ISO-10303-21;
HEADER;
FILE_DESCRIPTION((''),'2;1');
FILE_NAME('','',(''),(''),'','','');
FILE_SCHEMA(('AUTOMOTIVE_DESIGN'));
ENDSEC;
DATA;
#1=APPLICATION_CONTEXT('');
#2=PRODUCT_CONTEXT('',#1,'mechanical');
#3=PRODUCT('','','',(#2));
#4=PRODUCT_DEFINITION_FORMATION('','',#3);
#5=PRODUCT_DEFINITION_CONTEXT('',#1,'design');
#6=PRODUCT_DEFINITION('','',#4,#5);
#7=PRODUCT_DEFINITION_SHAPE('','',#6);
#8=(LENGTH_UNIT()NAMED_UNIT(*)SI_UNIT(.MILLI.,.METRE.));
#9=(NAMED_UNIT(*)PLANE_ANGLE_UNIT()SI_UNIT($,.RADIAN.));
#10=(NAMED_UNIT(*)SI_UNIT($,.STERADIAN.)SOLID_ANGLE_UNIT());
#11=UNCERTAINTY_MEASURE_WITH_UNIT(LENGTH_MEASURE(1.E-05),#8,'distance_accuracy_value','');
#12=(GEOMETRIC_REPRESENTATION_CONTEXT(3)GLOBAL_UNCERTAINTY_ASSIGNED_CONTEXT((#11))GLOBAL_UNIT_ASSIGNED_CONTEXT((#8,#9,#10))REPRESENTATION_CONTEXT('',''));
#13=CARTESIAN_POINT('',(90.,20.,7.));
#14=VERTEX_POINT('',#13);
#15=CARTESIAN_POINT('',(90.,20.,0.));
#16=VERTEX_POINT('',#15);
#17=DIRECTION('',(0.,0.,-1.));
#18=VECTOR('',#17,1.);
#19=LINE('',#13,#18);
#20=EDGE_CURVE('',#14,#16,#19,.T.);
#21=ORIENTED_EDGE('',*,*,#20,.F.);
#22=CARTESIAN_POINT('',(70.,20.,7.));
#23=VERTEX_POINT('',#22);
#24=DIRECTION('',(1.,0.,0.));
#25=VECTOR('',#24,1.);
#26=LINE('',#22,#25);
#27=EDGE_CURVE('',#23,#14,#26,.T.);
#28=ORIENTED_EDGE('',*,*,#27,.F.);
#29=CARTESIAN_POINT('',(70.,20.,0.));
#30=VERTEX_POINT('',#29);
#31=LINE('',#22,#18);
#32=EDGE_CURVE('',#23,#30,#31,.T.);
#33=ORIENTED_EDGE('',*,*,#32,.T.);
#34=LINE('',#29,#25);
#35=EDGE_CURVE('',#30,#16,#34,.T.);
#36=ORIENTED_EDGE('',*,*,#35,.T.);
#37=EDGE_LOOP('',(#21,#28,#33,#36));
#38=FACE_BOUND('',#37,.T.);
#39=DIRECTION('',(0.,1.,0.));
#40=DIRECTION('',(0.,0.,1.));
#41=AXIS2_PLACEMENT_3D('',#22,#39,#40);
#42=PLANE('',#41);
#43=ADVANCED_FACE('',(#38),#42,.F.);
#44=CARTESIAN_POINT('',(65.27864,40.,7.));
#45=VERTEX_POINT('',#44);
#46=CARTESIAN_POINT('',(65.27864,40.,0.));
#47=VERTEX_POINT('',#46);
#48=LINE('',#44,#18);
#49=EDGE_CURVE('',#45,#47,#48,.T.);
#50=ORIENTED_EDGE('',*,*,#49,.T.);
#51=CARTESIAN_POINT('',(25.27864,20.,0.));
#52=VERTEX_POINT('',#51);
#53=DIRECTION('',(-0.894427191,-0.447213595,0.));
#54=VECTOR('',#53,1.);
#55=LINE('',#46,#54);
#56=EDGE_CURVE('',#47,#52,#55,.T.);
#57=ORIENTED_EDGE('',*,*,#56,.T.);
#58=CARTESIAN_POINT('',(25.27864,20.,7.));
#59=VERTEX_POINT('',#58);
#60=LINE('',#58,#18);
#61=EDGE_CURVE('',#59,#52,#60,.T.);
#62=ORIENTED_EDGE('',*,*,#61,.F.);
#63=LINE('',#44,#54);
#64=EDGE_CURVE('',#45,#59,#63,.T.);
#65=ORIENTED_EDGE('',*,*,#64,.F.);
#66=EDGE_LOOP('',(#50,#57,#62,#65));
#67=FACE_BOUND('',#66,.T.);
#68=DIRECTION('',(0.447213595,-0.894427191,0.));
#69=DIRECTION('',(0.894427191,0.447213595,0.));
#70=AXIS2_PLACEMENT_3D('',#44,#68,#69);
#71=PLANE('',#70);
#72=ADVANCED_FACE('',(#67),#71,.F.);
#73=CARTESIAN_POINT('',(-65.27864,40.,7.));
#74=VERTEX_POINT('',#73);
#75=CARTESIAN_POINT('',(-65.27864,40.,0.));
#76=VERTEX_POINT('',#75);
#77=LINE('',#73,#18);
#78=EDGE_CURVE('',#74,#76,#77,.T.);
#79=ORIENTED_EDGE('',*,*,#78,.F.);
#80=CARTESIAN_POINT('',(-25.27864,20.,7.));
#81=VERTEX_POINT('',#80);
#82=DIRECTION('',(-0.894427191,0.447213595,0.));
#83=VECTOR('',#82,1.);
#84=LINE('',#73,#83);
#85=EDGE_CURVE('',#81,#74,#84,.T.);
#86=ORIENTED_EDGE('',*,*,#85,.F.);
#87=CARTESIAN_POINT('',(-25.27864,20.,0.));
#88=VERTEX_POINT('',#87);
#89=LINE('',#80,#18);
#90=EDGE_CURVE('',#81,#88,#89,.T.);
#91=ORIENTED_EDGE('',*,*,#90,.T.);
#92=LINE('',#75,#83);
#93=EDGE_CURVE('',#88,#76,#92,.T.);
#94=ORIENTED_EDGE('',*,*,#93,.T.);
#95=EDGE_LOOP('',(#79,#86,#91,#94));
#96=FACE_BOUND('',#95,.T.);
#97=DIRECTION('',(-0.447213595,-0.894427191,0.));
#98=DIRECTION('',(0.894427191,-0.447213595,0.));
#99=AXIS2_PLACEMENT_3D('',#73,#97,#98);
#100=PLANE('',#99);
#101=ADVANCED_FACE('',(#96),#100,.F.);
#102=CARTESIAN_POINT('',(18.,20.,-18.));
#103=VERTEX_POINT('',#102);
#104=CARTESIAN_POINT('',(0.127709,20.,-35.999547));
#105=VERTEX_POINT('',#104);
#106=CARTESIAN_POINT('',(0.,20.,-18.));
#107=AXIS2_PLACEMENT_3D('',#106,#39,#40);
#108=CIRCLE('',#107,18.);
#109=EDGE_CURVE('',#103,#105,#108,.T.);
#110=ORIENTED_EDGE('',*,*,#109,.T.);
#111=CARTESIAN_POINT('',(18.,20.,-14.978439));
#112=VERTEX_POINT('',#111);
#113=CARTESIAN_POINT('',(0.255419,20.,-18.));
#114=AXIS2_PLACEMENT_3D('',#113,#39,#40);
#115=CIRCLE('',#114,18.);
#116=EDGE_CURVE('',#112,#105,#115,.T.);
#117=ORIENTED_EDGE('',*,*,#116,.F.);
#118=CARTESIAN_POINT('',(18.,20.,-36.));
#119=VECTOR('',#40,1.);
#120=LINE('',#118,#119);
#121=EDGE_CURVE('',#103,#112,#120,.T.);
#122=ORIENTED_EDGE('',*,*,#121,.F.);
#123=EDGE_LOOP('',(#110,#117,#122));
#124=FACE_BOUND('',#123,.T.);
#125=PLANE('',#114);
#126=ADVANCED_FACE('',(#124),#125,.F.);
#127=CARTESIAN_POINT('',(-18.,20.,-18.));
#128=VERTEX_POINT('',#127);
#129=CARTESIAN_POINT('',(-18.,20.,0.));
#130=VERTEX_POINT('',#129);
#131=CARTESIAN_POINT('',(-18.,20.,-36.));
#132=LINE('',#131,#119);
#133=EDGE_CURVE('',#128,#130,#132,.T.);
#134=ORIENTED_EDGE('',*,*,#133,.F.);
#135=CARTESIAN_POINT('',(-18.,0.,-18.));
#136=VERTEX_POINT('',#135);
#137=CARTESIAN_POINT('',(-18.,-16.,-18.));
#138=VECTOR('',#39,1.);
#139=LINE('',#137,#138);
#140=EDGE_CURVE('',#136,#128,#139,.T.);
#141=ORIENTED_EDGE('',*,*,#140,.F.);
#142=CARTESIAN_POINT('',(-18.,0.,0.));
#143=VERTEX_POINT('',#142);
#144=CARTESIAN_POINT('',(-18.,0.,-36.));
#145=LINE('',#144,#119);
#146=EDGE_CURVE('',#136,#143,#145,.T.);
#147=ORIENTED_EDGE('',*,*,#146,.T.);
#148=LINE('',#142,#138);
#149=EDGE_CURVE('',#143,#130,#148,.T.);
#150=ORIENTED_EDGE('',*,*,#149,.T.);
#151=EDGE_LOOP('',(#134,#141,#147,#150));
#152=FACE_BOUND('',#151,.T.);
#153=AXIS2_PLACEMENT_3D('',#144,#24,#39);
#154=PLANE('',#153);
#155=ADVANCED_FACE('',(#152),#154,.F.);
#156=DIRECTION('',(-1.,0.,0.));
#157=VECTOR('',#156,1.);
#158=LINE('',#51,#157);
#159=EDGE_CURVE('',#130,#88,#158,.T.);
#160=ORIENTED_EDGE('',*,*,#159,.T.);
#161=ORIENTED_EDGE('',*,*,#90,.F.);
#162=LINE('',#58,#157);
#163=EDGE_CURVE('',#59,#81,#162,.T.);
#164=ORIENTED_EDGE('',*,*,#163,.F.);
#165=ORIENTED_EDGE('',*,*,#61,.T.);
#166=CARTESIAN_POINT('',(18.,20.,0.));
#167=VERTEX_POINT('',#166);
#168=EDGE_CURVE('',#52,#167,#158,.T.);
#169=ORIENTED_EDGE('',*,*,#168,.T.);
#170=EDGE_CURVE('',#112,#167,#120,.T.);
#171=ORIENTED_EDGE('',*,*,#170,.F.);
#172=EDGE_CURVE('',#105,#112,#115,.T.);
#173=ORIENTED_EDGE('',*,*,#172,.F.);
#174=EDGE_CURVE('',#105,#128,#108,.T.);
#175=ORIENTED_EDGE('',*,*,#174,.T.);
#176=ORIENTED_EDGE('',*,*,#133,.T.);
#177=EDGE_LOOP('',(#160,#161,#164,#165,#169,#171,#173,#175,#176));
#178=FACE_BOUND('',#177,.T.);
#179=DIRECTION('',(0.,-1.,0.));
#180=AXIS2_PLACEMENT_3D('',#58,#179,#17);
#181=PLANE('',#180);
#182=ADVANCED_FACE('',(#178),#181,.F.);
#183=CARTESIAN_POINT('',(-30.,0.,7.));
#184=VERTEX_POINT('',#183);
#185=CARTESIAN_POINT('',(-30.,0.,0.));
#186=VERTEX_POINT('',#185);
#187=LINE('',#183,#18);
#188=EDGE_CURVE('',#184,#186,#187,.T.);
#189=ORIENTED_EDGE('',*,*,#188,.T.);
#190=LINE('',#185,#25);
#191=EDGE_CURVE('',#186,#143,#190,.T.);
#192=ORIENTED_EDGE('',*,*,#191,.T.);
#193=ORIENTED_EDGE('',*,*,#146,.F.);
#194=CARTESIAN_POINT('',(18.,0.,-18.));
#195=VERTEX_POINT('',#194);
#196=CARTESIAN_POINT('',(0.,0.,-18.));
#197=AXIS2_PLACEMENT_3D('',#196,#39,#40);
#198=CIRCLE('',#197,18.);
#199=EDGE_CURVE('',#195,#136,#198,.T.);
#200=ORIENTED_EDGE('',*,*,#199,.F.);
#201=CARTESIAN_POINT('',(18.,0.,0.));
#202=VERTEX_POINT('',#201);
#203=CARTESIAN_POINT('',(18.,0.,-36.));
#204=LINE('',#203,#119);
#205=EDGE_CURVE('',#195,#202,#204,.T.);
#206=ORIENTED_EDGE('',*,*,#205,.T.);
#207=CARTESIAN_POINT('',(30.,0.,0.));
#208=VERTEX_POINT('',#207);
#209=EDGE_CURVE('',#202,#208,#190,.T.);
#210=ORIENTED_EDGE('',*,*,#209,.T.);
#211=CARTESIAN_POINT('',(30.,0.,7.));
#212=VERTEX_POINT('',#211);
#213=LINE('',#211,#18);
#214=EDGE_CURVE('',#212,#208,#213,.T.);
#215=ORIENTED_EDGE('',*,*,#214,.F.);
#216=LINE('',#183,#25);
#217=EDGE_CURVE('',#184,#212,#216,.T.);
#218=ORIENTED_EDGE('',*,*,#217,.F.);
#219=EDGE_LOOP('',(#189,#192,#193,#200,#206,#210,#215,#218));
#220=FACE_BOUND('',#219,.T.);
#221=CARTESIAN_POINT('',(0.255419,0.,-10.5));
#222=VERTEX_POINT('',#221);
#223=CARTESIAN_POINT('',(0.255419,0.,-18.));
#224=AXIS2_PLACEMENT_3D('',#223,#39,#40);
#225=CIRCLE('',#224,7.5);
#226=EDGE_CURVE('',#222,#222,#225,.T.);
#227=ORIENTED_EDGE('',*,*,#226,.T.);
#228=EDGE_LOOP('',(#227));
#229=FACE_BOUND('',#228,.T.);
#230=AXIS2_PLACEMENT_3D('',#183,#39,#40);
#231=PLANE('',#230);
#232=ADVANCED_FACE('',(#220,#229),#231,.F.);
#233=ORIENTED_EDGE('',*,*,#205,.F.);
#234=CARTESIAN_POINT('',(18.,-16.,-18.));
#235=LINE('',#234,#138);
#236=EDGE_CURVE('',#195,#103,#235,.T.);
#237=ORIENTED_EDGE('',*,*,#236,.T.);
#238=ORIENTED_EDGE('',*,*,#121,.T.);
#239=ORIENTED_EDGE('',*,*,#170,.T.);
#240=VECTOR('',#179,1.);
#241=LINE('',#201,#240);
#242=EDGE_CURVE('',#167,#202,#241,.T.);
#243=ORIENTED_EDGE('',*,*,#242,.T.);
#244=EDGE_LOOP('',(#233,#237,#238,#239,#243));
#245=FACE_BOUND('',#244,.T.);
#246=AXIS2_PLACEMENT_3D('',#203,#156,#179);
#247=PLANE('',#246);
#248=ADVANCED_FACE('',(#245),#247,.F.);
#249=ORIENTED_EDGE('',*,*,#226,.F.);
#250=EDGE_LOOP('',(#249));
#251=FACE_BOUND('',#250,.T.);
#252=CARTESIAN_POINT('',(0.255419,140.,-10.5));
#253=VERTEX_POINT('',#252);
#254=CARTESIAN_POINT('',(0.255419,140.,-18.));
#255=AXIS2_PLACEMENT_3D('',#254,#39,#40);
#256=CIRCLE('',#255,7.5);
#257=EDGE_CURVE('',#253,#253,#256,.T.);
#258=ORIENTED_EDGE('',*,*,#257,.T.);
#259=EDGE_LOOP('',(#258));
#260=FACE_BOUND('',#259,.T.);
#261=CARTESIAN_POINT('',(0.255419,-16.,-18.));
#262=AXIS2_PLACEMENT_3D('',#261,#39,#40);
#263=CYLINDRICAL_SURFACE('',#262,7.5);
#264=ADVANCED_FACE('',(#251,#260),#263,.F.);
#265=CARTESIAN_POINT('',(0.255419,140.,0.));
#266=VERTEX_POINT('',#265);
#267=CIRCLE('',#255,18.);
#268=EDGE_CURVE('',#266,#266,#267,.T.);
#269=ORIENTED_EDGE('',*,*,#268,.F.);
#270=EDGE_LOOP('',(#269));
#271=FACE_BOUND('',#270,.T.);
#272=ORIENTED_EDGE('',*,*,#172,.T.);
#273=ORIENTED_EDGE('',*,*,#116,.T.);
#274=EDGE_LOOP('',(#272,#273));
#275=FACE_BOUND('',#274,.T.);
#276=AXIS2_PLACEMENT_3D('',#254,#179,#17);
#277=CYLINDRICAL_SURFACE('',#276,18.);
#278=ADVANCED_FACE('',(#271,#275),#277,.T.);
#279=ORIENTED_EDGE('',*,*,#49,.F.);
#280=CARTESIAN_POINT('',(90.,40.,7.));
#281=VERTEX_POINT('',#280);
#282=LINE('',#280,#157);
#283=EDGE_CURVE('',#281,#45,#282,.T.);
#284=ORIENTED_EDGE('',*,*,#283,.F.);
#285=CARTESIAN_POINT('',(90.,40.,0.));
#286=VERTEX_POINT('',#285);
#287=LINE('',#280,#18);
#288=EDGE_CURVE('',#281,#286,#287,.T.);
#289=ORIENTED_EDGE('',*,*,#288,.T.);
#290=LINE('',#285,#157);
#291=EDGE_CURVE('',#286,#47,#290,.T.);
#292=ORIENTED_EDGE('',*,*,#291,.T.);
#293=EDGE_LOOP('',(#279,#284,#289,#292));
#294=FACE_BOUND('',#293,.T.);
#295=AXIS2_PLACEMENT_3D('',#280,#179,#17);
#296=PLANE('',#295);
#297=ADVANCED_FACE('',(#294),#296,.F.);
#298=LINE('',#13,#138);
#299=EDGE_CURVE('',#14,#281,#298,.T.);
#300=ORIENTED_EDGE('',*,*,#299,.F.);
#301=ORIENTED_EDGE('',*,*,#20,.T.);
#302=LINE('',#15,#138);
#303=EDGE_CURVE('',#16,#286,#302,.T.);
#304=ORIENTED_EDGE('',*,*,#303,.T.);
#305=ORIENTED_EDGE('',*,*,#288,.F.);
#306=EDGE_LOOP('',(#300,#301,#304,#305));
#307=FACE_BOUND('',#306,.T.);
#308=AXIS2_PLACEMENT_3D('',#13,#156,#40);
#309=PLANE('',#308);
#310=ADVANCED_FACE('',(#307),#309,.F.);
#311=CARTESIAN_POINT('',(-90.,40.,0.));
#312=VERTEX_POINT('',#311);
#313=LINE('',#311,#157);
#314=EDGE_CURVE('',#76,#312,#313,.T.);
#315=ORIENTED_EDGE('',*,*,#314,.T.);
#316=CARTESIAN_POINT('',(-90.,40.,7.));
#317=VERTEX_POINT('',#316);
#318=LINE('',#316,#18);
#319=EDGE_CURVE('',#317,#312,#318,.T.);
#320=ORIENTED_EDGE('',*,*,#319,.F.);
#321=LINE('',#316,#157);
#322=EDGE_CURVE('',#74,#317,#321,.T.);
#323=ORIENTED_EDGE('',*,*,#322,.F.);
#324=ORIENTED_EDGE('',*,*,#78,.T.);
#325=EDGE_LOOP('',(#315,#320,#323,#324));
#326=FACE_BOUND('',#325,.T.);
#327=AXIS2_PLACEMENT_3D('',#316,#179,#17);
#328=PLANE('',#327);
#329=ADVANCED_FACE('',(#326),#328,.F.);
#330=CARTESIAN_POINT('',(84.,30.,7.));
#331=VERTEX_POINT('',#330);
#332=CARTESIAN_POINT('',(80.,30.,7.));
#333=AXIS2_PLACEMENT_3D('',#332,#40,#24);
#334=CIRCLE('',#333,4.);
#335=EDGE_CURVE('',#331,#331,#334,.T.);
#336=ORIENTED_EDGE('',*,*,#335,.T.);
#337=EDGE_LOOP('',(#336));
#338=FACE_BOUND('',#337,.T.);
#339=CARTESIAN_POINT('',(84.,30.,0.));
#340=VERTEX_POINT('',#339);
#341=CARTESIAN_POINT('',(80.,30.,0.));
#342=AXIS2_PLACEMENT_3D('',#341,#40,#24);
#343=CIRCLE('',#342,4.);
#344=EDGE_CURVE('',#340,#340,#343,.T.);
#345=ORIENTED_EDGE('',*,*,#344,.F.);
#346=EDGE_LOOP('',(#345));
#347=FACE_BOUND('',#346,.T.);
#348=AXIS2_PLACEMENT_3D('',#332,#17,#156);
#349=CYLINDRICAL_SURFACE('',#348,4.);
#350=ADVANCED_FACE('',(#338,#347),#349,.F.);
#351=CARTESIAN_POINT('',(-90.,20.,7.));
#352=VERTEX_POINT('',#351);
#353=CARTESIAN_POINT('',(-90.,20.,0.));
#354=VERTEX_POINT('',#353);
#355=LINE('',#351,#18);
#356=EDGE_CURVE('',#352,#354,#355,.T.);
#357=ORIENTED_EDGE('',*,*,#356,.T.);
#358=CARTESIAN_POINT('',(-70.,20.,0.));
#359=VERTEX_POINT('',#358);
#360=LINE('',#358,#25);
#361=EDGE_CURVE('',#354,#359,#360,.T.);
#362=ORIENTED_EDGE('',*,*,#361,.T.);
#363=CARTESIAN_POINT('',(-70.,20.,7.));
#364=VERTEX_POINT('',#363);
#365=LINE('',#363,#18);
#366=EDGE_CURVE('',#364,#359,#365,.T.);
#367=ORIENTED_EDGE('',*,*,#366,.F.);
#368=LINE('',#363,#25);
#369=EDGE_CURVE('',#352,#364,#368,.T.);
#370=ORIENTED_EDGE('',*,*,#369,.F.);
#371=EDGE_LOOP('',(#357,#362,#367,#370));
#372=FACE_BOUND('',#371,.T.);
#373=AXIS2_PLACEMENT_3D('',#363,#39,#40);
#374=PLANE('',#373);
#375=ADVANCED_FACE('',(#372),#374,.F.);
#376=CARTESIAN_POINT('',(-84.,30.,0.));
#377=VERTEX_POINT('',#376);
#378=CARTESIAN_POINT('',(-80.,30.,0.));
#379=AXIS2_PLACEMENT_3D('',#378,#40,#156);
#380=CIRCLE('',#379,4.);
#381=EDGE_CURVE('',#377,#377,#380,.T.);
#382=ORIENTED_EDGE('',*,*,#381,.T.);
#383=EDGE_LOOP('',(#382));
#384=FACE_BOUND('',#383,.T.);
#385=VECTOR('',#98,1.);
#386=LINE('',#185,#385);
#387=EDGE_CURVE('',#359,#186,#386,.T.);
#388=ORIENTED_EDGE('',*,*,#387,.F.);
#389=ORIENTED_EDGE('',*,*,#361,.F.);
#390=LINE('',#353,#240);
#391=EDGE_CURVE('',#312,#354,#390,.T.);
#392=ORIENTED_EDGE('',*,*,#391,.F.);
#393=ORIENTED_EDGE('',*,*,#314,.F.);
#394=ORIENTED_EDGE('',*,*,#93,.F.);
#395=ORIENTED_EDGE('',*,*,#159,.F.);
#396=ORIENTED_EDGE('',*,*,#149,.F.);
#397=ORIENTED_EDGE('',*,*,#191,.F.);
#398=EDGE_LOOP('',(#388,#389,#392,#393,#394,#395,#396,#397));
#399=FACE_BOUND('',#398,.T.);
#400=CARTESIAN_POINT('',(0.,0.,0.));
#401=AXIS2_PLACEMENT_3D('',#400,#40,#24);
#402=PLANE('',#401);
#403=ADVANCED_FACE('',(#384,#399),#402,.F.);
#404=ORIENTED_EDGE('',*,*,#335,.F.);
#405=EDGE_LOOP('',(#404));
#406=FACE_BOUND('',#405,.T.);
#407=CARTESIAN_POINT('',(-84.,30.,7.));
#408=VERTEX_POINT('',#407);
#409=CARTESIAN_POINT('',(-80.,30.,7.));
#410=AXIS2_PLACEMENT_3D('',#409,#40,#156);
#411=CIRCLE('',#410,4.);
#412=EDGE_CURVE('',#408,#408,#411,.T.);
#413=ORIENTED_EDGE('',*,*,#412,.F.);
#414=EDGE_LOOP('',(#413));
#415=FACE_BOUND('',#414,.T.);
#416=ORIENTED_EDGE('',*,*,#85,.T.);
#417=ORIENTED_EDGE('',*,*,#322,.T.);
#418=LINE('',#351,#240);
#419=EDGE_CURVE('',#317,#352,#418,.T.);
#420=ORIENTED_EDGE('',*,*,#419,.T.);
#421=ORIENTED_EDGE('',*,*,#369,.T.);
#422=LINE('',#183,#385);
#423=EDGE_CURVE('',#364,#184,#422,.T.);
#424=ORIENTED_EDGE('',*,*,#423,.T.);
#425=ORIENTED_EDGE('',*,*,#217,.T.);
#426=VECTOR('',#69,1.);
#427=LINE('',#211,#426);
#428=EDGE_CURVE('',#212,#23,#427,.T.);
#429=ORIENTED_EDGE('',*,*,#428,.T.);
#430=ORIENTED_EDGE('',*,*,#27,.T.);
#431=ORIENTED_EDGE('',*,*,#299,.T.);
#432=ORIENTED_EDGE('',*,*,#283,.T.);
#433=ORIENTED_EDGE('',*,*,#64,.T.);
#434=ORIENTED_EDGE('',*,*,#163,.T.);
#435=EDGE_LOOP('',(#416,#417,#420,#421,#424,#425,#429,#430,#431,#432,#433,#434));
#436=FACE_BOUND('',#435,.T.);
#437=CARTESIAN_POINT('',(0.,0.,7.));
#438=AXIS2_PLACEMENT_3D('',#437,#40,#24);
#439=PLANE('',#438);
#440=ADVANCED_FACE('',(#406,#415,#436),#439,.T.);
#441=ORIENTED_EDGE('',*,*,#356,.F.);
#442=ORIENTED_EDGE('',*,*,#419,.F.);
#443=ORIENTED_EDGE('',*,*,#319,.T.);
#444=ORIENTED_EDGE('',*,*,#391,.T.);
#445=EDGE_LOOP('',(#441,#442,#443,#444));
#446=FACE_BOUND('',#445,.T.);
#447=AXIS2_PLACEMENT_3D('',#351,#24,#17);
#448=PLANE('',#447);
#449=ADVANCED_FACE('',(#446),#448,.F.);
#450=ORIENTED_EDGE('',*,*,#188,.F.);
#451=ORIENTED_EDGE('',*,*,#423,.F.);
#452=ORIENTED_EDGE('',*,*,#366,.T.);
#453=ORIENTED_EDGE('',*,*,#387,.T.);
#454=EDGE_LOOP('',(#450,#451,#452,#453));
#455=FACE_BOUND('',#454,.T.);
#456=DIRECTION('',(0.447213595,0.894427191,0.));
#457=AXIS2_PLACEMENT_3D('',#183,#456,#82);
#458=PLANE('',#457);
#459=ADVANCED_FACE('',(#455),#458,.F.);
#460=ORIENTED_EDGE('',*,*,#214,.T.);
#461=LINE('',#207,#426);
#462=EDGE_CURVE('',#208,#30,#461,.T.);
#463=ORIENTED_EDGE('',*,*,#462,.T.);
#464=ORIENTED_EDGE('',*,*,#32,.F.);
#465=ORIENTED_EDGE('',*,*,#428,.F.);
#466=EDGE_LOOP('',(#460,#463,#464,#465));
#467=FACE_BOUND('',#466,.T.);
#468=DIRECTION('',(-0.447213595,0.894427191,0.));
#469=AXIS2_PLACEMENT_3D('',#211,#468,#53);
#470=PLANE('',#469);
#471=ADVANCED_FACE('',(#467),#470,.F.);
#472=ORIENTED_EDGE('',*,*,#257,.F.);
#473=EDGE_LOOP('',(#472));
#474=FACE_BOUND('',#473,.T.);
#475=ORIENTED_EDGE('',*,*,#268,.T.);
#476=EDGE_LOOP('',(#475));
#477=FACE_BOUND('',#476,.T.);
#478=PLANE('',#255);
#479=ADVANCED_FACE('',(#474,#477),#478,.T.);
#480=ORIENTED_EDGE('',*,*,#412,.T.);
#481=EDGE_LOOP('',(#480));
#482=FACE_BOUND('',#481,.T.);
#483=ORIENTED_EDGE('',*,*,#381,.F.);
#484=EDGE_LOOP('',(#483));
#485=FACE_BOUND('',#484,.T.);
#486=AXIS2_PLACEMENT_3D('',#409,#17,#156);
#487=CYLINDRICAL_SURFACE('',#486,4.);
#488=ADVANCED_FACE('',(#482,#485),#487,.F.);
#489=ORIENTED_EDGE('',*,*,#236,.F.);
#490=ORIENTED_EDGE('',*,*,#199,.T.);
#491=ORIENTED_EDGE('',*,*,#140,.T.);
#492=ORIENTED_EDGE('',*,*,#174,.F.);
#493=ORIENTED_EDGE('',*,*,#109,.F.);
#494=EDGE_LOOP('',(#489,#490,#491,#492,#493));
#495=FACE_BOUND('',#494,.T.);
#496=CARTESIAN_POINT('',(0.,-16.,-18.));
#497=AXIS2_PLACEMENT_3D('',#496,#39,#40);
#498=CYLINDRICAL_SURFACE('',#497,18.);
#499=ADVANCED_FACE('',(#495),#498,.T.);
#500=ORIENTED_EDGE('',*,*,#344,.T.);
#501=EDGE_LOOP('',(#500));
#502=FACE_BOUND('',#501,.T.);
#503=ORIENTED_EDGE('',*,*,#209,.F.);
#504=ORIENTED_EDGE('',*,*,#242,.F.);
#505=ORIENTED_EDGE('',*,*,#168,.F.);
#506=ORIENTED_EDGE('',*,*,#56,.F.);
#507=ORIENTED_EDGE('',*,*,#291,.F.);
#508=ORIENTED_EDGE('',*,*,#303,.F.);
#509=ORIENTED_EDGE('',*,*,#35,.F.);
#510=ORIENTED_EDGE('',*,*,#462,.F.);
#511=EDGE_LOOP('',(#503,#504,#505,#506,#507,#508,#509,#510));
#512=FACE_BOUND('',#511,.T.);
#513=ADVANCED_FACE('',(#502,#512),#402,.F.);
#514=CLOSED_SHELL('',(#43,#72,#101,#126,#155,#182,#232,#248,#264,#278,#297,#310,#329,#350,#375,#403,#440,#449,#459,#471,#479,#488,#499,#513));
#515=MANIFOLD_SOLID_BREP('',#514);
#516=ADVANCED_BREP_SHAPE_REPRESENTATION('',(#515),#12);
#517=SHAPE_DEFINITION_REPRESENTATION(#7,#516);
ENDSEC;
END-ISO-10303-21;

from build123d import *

# Parameters (mm, degrees)
SKETCH_1_R          = 4
EXTRUDE_1_DEPTH     = 7
SKETCH_2_W          = 36
SKETCH_2_H          = 20
EXTRUDE_2_DEPTH     = 36
SKETCH_3_R          = 7.5
CUT_EXTRUDE_2_DEPTH = 36
SKETCH_4_R          = 18
SKETCH_4_R_2        = 7.5
EXTRUDE_3_DEPTH     = 120


with BuildPart() as part:
    # 草图1 → 凸台-拉伸1 (new body)
    with BuildSketch(Plane.XY):
        Polygon((-30, 0), (30, 0), (70, 20), (90, 20), (90, 40), (65.27864045, 40), (25.27864045, 20), (-25.27864045, 20), (-65.27864045, 40), (-90, 40), (-90, 20), (-70, 20), align=None)
        with Locations((80, 30)):
            Circle(SKETCH_1_R, mode=Mode.SUBTRACT)
        with Locations((-80, 30)):
            Circle(SKETCH_1_R, mode=Mode.SUBTRACT)
    extrude(amount=EXTRUDE_1_DEPTH)

    # 草图2 → 凸台-拉伸2 (add)
    with BuildSketch(Plane(origin=(0, 0, 0), x_dir=(-1, 0, 0), z_dir=(0, 0, -1))):
        with Locations((0, 10)):
            Rectangle(SKETCH_2_W, SKETCH_2_H)
    extrude(amount=EXTRUDE_2_DEPTH)

    # 草图3 → 切除-拉伸2 (cut)
    with BuildSketch(Plane(origin=(0, 20, 0), x_dir=(1, 0, 0), z_dir=(0, 1, 0))):
        with BuildLine():
            ThreePointArc((-6.6e-08, 36), (12.727922038, 30.727922085), (18, 18))
            Line((18, 18), (18, 36))
            Line((18, 36), (-6.6e-08, 36))
        make_face()
        with BuildLine():
            Line((-18, 36), (-18, 18))
            ThreePointArc((-18, 18), (-12.727922085, 30.727922038), (-6.6e-08, 36))
            Line((-6.6e-08, 36), (-18, 36))
        make_face()
        with Locations((0.255418615, 18)):
            Circle(SKETCH_3_R)
    extrude(amount=-CUT_EXTRUDE_2_DEPTH, mode=Mode.SUBTRACT)

    # 草图4 → 凸台-拉伸3 (add)
    with BuildSketch(Plane(origin=(0, 20, 0), x_dir=(1, 0, 0), z_dir=(0, 1, 0))):
        with Locations((0.255418615, 18)):
            Circle(SKETCH_4_R)
        with Locations((0.255418615, 18)):
            Circle(SKETCH_4_R_2, mode=Mode.SUBTRACT)
    extrude(amount=EXTRUDE_3_DEPTH)


solid = part.part
